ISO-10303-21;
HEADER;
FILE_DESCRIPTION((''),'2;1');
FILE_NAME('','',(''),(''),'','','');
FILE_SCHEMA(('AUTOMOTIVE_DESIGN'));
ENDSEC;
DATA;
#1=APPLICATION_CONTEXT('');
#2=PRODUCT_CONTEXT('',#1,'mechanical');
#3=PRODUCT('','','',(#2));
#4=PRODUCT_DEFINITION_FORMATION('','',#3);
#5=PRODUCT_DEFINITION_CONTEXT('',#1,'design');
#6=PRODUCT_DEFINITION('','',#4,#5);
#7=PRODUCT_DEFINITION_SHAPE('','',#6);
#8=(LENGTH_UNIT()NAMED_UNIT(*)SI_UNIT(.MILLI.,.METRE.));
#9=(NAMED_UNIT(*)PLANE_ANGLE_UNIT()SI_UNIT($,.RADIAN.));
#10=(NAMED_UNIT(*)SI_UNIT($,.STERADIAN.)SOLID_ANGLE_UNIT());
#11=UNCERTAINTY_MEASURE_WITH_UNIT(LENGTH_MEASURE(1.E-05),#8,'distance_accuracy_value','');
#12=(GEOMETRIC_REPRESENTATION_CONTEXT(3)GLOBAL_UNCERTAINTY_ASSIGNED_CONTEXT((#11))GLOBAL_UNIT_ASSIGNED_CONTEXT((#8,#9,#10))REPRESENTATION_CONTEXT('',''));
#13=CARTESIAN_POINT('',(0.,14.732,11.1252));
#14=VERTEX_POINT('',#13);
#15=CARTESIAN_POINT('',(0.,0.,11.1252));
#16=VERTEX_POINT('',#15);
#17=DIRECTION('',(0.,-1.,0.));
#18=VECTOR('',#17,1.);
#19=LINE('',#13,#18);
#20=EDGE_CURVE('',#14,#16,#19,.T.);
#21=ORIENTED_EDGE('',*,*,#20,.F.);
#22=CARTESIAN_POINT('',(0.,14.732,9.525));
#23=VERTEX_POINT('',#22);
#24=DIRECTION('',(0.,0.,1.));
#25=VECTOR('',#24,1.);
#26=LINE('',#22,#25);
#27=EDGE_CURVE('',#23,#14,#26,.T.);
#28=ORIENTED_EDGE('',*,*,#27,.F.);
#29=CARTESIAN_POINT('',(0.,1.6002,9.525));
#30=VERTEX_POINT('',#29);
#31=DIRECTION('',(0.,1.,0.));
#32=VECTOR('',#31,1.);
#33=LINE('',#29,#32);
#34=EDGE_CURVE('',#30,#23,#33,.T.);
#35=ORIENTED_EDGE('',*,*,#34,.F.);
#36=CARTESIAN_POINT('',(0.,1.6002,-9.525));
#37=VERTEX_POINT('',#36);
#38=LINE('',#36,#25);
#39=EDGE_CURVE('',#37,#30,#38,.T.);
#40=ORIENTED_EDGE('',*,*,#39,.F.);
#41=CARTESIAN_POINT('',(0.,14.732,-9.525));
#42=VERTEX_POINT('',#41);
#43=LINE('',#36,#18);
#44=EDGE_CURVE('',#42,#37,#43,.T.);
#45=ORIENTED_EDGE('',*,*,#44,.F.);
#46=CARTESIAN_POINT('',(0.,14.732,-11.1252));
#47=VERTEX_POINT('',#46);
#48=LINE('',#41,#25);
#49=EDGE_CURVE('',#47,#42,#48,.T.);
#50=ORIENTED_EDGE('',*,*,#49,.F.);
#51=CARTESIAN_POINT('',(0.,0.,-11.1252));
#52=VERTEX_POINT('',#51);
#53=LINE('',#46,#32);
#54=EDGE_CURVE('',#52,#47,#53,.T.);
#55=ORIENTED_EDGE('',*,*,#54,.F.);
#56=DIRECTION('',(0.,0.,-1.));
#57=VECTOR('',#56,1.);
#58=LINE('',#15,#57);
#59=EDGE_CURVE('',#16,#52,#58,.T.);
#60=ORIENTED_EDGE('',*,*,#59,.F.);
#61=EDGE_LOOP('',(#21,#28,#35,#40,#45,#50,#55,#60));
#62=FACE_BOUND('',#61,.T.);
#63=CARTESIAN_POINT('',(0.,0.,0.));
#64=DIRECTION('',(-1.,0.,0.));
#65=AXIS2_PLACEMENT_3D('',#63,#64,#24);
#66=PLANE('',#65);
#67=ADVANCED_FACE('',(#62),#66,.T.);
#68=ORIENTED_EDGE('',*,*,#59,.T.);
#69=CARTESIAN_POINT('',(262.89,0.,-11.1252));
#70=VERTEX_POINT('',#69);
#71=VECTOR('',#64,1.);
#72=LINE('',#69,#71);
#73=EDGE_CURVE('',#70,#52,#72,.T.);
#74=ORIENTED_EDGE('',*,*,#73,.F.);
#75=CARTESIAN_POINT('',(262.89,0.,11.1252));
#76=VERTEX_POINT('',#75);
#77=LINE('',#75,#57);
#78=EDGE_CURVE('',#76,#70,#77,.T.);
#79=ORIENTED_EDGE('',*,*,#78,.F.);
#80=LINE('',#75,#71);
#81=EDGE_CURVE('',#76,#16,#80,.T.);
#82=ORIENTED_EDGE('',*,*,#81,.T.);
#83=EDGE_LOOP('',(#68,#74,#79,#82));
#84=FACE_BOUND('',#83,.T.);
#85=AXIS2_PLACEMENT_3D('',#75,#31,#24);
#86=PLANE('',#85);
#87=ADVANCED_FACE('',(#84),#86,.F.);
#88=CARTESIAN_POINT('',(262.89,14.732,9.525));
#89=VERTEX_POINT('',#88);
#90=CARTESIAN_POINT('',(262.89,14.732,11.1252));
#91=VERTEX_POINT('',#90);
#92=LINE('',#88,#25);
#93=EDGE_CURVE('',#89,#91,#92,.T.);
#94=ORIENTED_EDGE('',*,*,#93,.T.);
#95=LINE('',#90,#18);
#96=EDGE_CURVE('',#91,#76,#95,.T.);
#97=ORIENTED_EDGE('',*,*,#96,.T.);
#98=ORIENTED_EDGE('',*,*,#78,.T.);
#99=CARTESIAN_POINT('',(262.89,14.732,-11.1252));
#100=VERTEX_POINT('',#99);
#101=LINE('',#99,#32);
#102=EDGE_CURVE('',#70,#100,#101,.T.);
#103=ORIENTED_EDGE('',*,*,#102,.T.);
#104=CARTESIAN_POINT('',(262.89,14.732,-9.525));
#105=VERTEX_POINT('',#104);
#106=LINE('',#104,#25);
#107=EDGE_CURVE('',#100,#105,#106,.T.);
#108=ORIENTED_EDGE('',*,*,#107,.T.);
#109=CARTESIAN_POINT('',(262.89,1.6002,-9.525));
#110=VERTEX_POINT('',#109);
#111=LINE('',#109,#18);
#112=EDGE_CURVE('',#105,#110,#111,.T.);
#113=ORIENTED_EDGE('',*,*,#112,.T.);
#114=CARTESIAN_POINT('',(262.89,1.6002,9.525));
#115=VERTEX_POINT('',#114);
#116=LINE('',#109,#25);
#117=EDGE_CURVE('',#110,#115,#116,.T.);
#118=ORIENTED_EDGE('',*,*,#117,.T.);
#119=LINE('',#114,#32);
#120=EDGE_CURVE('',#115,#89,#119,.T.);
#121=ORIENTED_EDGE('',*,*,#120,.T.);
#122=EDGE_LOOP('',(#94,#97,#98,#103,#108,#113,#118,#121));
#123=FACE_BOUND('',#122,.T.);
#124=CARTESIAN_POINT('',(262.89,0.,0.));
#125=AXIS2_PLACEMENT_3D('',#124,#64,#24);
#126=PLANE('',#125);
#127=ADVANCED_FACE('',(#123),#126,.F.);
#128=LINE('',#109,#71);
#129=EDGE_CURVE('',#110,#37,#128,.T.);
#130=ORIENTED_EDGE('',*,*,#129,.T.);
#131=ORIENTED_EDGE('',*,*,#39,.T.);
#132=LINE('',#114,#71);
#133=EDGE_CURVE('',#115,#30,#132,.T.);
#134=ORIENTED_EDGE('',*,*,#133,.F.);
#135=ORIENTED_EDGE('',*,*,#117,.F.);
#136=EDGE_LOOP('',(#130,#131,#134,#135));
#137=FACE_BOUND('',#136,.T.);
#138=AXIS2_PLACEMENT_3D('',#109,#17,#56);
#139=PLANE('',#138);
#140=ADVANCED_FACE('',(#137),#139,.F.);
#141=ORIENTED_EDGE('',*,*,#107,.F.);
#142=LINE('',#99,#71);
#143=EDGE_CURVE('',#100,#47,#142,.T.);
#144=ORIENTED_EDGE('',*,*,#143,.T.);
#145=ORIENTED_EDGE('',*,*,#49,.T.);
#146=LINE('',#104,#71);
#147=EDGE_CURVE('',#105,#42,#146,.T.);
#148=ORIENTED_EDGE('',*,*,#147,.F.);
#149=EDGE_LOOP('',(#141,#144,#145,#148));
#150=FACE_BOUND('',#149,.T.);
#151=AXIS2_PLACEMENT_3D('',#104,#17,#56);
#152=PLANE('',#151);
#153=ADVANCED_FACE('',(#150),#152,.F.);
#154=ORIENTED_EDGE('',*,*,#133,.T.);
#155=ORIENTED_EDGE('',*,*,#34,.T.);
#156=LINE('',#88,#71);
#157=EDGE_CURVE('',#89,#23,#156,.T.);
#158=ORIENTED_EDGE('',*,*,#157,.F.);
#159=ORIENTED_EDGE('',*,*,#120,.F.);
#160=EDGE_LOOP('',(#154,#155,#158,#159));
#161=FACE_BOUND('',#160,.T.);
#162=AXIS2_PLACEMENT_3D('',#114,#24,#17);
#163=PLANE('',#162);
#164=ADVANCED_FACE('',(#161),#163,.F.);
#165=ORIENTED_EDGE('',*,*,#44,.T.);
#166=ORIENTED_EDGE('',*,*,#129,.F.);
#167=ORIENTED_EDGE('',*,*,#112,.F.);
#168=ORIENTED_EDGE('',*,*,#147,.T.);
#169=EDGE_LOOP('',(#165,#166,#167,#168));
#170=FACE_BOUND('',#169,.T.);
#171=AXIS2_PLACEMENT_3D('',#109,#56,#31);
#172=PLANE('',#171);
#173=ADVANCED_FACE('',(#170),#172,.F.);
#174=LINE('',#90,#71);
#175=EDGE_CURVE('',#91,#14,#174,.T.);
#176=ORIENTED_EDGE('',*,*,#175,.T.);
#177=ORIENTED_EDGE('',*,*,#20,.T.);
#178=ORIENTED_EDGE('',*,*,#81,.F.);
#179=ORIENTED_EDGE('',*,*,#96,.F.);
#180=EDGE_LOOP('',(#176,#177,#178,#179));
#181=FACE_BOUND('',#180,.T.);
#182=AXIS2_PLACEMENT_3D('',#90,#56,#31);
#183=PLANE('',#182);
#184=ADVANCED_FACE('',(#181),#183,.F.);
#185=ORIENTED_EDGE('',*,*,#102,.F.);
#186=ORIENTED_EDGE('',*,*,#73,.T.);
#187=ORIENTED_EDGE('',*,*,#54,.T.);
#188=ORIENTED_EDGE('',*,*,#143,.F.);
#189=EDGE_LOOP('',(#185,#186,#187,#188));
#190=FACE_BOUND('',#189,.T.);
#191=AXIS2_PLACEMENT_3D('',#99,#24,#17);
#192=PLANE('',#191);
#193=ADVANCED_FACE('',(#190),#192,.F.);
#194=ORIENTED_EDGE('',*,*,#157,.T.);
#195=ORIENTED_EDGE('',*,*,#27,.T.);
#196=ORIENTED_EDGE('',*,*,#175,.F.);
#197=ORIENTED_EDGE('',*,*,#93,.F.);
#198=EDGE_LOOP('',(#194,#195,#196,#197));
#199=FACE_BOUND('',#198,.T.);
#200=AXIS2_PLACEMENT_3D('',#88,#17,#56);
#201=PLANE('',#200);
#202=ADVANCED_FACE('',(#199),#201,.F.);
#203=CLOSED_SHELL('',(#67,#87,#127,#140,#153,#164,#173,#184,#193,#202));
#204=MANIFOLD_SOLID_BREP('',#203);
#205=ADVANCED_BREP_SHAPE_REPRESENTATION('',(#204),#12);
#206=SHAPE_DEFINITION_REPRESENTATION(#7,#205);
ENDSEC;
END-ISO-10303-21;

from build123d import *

# Parameters (mm, degrees)
BOSS_EXTRUDE1_DEPTH = 262.89


with BuildPart() as part:
    # Sketch1 → Boss-Extrude1 (new body)
    with BuildSketch(Plane(origin=(0, 0, 0), x_dir=(0, 0, -1), z_dir=(1, 0, 0))):
        Polygon((9.525, 1.6002), (-9.525, 1.6002), (-9.525, 14.732), (-11.1252, 14.732), (-11.1252, 0), (11.1252, 0), (11.1252, 14.732), (9.525, 14.732), align=None)
    extrude(amount=BOSS_EXTRUDE1_DEPTH)


solid = part.part
